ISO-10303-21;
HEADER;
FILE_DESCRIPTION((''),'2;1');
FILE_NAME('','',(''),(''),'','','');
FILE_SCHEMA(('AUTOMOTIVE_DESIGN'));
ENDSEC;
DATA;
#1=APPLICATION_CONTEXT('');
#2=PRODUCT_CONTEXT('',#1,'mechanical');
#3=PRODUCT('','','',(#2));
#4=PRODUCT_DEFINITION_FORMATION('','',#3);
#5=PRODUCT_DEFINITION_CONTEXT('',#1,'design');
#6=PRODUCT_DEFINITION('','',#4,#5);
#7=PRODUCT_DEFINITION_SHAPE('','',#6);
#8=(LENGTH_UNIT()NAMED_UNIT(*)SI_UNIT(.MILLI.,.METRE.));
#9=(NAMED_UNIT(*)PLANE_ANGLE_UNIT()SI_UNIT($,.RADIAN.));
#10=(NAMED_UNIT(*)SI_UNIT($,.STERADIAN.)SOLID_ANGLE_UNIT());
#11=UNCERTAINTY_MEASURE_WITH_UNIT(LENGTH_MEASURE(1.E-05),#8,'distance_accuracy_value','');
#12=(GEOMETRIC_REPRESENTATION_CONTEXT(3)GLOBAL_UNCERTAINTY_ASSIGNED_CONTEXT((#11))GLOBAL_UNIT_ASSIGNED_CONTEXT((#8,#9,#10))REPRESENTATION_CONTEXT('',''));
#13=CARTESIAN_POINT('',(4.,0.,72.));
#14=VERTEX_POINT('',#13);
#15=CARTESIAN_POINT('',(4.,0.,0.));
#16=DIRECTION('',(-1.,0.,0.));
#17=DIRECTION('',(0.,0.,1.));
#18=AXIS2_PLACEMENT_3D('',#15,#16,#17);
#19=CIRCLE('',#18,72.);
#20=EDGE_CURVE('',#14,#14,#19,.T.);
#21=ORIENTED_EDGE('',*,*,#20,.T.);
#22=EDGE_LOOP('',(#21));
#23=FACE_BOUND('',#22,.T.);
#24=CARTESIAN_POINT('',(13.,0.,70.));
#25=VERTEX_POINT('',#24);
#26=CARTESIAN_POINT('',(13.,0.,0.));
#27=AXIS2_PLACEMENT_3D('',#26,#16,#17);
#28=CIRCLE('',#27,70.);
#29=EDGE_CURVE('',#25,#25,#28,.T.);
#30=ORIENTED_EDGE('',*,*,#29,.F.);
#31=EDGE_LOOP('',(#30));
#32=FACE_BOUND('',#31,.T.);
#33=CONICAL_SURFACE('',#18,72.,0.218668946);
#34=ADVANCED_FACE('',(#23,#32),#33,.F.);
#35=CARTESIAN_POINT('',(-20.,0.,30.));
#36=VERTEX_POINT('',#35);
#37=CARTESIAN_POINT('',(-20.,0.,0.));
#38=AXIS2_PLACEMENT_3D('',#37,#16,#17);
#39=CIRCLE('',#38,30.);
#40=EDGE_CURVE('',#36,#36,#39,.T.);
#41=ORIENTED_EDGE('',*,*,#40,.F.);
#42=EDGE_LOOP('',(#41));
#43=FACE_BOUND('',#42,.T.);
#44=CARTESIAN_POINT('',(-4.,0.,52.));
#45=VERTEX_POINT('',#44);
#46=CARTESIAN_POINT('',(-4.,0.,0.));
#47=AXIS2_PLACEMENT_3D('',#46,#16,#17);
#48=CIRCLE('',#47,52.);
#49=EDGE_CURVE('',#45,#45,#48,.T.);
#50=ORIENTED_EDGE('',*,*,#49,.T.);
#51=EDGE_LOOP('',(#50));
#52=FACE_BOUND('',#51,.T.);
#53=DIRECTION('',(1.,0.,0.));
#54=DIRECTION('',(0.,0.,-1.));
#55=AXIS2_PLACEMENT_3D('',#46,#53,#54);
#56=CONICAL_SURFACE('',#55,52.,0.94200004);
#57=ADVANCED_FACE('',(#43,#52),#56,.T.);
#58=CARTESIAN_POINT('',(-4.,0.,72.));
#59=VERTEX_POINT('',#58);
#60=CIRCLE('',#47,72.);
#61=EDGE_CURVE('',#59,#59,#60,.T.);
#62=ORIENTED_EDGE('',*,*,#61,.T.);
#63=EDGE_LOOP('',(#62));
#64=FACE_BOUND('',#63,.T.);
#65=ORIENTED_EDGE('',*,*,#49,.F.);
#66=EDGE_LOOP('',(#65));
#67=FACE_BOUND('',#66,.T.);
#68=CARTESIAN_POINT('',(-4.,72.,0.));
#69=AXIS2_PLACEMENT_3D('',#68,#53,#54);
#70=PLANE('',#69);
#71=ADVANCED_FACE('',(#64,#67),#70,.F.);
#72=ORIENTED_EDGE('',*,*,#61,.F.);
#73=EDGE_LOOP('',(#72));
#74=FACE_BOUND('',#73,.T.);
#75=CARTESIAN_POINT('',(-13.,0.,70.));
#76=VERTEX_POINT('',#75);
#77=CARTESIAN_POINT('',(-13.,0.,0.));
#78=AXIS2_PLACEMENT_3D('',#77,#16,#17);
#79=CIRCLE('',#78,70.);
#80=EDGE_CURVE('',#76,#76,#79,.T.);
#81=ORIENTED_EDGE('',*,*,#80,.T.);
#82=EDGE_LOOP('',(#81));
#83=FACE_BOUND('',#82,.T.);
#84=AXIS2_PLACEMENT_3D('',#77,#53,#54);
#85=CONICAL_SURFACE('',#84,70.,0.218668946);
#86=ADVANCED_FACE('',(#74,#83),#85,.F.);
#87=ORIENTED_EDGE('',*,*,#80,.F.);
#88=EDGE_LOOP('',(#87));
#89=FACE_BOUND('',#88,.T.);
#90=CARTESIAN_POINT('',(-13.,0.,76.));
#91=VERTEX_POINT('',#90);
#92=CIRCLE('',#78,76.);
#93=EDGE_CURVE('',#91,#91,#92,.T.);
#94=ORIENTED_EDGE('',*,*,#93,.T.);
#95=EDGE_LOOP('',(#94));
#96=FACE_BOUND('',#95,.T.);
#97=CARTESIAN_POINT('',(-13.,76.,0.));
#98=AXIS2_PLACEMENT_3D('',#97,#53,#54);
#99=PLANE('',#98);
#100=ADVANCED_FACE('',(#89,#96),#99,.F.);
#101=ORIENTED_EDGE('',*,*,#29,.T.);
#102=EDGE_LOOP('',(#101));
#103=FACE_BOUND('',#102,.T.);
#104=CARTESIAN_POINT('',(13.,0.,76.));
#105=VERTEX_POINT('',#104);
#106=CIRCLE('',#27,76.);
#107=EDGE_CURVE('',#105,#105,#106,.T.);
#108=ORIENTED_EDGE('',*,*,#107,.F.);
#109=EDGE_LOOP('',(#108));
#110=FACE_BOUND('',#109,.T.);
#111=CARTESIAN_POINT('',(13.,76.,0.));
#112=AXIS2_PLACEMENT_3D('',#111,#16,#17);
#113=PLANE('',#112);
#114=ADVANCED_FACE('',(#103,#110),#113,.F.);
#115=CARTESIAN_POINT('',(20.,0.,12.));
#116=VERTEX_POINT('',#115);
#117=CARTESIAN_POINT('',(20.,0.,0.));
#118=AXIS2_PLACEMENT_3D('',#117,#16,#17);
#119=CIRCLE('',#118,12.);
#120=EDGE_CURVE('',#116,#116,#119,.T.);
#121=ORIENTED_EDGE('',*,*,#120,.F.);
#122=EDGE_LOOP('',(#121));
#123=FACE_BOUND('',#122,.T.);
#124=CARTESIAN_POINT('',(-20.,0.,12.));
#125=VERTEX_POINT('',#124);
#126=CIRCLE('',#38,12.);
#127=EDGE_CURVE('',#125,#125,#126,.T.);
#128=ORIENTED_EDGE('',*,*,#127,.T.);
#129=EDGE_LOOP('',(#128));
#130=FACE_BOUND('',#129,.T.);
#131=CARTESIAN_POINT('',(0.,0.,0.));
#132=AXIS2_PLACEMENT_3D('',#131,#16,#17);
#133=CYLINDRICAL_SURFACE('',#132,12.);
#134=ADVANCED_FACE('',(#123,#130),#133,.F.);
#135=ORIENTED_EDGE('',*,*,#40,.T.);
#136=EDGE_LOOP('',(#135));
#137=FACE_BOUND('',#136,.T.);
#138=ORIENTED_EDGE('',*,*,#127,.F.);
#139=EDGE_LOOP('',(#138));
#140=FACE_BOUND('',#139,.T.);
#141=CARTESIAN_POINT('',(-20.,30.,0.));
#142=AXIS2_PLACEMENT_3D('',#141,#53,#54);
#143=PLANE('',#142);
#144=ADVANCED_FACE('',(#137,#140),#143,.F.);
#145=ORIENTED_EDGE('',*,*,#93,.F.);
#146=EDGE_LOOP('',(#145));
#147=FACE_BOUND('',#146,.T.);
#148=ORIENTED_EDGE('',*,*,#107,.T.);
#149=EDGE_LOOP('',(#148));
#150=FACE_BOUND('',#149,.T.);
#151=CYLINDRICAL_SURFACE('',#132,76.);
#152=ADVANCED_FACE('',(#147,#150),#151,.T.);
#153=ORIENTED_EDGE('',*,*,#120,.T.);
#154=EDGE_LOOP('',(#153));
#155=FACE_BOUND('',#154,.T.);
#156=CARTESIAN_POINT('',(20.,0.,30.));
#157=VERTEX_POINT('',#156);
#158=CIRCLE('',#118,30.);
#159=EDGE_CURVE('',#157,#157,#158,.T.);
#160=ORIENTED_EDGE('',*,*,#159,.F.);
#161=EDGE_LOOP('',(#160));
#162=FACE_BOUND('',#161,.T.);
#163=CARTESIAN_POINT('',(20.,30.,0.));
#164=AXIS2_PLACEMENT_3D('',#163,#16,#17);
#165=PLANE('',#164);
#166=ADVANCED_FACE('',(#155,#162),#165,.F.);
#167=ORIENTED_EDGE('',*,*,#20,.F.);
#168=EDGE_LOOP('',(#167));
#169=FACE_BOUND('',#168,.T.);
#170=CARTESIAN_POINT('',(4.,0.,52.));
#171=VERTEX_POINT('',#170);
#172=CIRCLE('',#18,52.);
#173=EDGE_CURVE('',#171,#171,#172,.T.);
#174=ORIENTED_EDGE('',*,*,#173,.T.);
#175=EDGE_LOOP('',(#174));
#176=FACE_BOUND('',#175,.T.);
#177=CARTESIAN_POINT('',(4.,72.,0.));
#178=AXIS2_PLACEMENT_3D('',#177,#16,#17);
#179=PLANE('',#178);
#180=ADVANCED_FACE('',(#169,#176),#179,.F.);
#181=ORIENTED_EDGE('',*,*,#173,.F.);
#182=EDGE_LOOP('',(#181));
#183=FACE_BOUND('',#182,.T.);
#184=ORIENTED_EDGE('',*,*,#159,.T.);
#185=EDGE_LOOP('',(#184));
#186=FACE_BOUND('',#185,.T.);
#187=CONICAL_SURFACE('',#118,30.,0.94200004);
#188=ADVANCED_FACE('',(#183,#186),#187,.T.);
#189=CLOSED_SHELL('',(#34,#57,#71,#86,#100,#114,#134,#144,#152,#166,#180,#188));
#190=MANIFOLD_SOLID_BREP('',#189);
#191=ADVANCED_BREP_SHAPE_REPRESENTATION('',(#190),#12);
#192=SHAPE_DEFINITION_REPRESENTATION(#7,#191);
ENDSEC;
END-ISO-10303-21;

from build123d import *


with BuildPart() as part:
    # Sketch1 → Revolve1 (revolve)
    with BuildSketch(Plane.XY, mode=Mode.PRIVATE) as revolve1_sk:
        Polygon((13, 76), (13, 70), (4, 72), (4, 52), (20, 30), (20, 12), (-20, 12), (-20, 30), (-4, 52), (-4, 72), (-13, 70), (-13, 76), align=None)
    revolve(revolve1_sk.sketch.rotate(Axis((0, 0, 0), (1, 0, 0)), 90), axis=Axis((0, 0, 0), (1, 0, 0)))


solid = part.part
